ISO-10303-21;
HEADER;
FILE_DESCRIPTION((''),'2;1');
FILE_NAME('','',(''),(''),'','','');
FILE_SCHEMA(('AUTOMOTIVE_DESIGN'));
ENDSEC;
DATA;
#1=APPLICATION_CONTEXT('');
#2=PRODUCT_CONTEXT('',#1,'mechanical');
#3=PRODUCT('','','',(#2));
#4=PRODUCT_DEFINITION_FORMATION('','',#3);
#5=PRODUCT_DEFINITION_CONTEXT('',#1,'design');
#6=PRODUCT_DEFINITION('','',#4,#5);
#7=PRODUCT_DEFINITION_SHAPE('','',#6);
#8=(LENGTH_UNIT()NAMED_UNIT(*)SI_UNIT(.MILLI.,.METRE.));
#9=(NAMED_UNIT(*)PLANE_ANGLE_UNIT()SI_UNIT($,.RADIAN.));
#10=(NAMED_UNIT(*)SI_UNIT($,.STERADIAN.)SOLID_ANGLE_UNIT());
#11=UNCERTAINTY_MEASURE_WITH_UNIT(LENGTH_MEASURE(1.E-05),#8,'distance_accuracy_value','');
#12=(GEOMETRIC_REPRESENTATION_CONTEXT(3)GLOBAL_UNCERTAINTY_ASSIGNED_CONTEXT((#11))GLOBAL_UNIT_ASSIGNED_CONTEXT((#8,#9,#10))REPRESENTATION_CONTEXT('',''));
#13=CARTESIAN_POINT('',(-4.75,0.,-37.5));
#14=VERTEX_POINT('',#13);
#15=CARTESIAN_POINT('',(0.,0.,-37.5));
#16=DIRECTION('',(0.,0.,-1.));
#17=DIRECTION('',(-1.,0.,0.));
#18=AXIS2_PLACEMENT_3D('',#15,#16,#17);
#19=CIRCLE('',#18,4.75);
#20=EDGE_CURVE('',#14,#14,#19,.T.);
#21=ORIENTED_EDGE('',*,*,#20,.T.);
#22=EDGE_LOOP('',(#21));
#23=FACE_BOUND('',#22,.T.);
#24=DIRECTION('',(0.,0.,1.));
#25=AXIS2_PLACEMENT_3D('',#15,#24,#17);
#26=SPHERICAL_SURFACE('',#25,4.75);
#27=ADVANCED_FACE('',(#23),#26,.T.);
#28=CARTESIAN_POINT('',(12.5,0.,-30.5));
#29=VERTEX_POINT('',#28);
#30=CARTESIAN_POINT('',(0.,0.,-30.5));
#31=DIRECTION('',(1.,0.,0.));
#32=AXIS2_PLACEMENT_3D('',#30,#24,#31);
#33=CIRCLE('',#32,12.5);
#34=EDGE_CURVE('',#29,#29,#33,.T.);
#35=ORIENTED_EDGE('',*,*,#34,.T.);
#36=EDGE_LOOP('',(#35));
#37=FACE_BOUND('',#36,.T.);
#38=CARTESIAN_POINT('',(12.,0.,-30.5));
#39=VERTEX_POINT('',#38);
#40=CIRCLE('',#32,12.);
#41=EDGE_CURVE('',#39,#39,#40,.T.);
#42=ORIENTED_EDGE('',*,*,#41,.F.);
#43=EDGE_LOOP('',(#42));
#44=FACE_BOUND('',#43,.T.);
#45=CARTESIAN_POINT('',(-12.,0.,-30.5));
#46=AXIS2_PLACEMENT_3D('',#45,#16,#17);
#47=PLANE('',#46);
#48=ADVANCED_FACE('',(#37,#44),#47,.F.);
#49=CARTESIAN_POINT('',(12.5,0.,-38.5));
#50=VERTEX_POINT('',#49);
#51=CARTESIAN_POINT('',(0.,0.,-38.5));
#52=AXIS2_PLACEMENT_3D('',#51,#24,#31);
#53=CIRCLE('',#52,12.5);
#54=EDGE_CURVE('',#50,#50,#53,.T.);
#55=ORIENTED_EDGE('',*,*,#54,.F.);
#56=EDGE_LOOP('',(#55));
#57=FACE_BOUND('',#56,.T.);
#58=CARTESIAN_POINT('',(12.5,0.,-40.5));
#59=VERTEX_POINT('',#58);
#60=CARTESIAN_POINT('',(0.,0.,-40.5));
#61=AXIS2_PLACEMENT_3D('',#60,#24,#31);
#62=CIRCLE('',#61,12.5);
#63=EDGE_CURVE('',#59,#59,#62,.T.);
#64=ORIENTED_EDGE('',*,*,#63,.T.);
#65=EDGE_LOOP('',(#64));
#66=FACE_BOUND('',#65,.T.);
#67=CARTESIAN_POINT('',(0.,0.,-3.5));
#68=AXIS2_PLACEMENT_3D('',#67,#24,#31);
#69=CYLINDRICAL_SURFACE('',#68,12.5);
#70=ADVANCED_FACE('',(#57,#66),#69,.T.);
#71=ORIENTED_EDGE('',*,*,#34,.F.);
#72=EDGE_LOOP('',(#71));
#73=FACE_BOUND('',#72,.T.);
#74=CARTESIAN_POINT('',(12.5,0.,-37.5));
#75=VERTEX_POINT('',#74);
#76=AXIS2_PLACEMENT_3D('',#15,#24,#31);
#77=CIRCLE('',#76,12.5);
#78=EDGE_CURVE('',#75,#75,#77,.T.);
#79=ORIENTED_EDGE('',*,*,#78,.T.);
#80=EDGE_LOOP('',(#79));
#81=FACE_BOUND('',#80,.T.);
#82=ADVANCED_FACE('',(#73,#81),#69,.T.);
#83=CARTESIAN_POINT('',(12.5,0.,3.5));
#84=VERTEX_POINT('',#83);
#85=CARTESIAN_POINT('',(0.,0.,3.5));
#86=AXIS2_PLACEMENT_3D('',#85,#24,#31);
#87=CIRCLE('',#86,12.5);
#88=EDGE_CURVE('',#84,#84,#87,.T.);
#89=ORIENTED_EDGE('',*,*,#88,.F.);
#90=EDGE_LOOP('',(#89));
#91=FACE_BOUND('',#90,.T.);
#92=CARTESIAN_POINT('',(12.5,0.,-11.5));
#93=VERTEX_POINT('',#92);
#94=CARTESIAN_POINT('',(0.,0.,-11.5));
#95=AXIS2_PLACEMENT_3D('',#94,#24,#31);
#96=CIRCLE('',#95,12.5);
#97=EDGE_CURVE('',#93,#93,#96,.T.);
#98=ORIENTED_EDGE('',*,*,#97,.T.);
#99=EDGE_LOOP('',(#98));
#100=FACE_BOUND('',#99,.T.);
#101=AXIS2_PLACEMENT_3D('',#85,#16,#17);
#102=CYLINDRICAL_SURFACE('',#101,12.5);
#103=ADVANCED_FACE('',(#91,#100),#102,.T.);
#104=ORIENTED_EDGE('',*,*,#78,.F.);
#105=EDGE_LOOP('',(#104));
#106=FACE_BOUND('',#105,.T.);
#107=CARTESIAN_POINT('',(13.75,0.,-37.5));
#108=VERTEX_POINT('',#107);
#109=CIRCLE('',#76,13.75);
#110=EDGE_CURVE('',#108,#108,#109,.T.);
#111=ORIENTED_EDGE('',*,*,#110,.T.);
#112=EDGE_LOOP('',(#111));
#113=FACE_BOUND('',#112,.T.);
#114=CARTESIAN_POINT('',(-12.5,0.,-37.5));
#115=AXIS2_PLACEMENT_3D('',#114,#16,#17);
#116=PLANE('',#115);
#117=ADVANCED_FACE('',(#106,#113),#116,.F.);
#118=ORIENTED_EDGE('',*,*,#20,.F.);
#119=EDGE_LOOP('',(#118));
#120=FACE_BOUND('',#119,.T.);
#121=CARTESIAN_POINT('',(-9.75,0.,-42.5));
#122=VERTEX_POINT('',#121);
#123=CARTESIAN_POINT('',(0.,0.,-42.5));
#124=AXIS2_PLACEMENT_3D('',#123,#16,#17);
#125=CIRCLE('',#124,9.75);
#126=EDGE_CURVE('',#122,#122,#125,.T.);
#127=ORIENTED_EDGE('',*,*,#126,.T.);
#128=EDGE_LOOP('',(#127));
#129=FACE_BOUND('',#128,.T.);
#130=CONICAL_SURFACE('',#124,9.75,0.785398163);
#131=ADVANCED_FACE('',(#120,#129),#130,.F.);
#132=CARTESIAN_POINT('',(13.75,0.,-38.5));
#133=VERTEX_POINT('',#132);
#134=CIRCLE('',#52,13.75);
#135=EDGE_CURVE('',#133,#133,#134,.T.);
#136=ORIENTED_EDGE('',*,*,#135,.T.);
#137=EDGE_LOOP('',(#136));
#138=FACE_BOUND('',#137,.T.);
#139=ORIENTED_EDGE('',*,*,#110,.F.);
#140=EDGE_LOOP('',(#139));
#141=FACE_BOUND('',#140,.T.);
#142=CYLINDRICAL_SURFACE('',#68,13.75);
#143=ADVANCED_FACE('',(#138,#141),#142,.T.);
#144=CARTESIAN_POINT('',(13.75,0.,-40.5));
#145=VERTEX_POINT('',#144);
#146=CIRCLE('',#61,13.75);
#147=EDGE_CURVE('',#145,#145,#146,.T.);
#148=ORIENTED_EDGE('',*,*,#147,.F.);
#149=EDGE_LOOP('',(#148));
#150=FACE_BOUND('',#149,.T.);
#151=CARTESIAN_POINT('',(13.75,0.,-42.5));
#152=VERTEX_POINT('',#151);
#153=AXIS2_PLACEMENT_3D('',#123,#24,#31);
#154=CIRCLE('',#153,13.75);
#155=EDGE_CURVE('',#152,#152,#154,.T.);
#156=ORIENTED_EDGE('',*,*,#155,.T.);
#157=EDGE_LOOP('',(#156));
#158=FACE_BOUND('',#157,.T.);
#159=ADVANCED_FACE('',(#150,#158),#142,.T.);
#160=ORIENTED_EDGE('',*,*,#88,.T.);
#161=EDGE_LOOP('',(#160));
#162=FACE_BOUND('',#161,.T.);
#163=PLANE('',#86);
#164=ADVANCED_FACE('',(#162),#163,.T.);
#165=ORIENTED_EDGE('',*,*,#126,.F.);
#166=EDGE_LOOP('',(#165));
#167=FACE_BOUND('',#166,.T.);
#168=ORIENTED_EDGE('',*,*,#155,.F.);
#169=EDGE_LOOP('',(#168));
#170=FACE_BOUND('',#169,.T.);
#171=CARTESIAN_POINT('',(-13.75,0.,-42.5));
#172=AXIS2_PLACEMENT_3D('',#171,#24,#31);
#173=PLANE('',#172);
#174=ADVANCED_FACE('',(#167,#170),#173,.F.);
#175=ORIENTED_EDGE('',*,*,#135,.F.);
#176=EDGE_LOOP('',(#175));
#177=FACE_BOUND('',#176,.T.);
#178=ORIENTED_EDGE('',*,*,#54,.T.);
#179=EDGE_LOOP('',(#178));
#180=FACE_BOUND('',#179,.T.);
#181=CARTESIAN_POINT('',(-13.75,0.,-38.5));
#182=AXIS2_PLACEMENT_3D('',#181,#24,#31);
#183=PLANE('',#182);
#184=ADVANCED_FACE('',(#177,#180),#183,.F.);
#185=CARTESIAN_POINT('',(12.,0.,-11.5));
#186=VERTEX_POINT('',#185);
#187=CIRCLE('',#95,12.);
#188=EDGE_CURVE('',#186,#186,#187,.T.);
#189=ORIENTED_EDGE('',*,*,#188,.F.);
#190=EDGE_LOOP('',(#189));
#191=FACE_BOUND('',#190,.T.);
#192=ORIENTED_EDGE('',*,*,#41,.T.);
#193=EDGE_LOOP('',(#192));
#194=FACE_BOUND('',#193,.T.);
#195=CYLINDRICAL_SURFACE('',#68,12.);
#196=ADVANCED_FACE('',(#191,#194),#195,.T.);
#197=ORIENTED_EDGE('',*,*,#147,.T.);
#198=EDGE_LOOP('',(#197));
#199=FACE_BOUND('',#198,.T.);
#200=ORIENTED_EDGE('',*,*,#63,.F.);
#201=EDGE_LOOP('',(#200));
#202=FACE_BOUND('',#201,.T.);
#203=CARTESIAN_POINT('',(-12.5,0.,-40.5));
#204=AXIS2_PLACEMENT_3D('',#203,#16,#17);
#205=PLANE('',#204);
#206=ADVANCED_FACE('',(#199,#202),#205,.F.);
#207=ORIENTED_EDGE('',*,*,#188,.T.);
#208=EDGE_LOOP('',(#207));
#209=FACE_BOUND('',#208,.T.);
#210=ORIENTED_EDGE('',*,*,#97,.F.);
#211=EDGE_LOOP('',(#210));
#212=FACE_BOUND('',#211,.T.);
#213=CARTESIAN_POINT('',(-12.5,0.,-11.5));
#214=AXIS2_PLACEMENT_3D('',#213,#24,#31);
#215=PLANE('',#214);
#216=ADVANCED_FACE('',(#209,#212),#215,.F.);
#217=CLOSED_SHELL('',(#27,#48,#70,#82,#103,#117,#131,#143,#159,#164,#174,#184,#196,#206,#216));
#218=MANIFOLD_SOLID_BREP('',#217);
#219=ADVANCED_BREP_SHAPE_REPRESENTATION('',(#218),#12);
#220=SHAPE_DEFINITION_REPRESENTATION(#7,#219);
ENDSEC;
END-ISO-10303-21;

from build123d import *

# Parameters (mm, degrees)
SKETCH1_R           = 12.5
BOSS_EXTRUDE1_DEPTH = 3.5
SKETCH5_R           = 9.75
CUT_EXTRUDE2_DEPTH  = 5
CUT_EXTRUDE2_DRAFT  = -45


with BuildPart() as part:
    # Sketch1 → Boss-Extrude1 (new, symmetric)
    with BuildSketch(Plane.XY):
        Circle(SKETCH1_R)
    extrude(amount=BOSS_EXTRUDE1_DEPTH, both=True)

    # Sketch4 → Revolve1 (revolve)
    with BuildSketch(Plane(origin=(0, 0, 0), x_dir=(1, 0, 0), z_dir=(0, 1, 0)), mode=Mode.PRIVATE) as revolve1_sk:
        Polygon((-12.5, 3.5), (0, 3.5), (0, 42.5), (-13.75, 42.5), (-13.75, 40.5), (-12.5, 40.5), (-12.5, 38.5), (-13.75, 38.5), (-13.75, 37.5), (-12.5, 37.5), (-12.5, 30.5), (-12, 30.5), (-12, 11.5), (-12.5, 11.5), align=None)
    revolve(revolve1_sk.sketch.rotate(Axis((0, 0, -3.5), (0, 0, -1)), 180), axis=Axis((0, 0, -3.5), (0, 0, -1)))


with BuildPart() as cut_extrude2_tool:
    # Sketch5 → Cut-Extrude2 (with draft: the straight prism first)
    with BuildSketch(Plane(origin=(0, 0, -42.5), x_dir=(-1, 0, 0), z_dir=(0, 0, -1))):
        Circle(SKETCH5_R)
    extrude(amount=-CUT_EXTRUDE2_DEPTH)
    # Cut-Extrude2: the draft: its side faces are tilted about the plane it starts from
    cut_extrude2_sides = [cut_extrude2_tool.faces().sort_by_distance(p)[0] for p in [
        (9.75, 0, -40),
    ]]
    draft(cut_extrude2_sides, Plane(origin=(0, 0, -42.5), x_dir=(-1, 0, 0), z_dir=(0, 0, -1)), CUT_EXTRUDE2_DRAFT)


with BuildPart() as part_1:
    add(part.part)

    # Cut-Extrude2: cut by cut_extrude2_tool
    add(cut_extrude2_tool.part, mode=Mode.SUBTRACT)

    # Sketch6 → Revolve2 (revolve)
    with BuildSketch(Plane(origin=(0, 0, 0), x_dir=(1, 0, 0), z_dir=(0, 1, 0))):
        with BuildLine():
            Line((-4.75, 37.5), (0, 37.5))
            Line((0, 37.5), (0, 42.25))
            ThreePointArc((0, 42.25), (-3.358757211, 40.858757211), (-4.75, 37.5))
        make_face()
    revolve(axis=Axis((0, 0, -37.5), (0, 0, -1)))


solid = part_1.part
